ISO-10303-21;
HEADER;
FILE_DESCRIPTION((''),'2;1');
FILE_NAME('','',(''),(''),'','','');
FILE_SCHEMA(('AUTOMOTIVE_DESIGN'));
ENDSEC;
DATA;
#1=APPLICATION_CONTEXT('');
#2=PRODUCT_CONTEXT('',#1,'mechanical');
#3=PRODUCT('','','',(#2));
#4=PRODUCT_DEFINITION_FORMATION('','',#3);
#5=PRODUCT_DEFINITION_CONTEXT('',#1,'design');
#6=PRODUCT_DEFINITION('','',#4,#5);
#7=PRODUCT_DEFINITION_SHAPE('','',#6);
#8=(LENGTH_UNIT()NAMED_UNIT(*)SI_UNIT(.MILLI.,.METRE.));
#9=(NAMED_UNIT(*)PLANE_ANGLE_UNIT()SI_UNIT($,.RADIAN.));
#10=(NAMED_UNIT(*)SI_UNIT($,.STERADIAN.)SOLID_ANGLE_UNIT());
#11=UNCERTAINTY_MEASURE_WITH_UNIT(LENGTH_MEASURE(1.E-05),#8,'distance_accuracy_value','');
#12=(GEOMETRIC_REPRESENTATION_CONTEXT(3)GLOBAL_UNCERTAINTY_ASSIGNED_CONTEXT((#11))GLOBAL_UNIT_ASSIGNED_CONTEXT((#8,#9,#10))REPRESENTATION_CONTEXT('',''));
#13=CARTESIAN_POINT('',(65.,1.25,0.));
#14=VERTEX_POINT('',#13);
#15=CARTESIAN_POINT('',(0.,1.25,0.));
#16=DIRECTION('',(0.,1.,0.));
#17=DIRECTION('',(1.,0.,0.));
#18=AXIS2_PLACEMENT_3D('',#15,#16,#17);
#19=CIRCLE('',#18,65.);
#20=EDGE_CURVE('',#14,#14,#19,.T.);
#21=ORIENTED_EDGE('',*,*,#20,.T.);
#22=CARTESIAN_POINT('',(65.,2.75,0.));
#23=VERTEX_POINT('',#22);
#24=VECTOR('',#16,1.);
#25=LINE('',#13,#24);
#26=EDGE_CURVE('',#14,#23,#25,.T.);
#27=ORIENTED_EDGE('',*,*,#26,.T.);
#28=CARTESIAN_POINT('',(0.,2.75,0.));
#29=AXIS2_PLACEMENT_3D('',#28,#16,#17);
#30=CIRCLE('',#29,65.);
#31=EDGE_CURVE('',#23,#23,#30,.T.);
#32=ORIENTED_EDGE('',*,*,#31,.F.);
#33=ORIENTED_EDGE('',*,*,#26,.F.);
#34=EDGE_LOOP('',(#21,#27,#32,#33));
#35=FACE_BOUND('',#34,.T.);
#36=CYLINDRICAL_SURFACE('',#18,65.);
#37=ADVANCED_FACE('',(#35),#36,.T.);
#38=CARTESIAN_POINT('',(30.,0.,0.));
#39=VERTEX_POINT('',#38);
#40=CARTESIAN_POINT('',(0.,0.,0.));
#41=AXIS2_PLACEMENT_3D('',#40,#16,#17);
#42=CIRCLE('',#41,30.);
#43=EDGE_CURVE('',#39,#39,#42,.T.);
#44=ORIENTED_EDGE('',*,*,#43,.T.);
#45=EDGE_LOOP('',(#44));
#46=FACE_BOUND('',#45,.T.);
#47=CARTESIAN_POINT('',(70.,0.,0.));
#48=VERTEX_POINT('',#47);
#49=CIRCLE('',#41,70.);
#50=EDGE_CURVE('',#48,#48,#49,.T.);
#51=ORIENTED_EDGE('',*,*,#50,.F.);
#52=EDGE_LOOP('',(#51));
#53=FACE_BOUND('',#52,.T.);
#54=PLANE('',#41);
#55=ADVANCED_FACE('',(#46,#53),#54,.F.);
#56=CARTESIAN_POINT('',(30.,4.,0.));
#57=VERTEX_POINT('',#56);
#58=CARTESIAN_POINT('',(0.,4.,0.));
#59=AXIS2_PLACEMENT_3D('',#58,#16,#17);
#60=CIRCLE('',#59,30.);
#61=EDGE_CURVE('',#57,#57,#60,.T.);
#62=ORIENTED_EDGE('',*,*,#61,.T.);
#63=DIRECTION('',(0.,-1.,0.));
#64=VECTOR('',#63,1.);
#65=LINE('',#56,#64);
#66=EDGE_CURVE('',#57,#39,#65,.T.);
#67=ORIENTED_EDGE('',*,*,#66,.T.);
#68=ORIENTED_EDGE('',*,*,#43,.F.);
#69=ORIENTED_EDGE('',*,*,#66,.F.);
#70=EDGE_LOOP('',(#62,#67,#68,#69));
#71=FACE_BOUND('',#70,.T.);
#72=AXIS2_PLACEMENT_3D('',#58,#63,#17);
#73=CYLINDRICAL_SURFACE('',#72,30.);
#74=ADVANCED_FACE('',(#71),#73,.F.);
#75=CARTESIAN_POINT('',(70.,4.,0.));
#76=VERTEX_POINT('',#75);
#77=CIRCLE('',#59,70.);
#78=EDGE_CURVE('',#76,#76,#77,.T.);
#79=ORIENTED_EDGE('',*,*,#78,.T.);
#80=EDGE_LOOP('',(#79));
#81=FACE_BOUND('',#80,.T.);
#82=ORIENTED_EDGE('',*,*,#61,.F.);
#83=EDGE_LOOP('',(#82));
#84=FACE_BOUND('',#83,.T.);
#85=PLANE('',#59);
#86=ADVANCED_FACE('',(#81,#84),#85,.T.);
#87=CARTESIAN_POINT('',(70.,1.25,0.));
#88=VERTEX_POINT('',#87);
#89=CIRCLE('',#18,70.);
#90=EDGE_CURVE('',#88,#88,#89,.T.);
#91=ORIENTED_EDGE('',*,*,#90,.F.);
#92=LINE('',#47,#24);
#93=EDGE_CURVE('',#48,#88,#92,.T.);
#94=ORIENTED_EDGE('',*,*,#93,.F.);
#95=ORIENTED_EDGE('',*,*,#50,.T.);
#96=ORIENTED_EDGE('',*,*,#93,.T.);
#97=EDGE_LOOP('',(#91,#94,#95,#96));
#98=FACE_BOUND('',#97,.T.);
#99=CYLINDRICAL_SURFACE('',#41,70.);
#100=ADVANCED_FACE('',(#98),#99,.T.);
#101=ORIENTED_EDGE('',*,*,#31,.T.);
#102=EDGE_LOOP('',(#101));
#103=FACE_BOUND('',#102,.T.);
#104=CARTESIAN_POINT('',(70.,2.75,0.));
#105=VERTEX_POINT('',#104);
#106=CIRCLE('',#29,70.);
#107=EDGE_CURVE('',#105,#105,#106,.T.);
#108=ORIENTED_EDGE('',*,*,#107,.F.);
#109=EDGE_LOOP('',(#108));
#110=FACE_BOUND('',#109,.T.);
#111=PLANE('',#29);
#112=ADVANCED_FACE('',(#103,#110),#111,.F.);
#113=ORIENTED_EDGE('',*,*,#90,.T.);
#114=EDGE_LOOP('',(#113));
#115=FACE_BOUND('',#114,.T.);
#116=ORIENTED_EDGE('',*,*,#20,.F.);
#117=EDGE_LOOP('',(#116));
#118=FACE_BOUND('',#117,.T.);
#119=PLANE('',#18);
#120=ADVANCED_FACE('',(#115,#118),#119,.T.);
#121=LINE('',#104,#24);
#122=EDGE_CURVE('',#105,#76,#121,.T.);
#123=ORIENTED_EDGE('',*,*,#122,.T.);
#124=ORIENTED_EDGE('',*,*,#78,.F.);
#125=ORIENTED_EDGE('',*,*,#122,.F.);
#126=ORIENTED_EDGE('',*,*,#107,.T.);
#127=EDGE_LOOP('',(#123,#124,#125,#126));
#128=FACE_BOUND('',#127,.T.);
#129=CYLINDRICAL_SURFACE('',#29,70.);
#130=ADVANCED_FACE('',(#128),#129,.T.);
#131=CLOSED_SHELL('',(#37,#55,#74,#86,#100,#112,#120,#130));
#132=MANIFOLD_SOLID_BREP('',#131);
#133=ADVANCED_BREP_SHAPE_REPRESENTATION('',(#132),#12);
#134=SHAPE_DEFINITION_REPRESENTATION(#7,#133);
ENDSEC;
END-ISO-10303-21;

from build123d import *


with BuildPart() as part:
    # Sketch → Revolution (revolve)
    with BuildSketch(Plane.XY):
        Polygon((70, 0), (70, 1.25), (65, 1.25), (65, 2.75), (70, 2.75), (70, 4), (30, 4), (30, 0), align=None)
    revolve(axis=Axis((0, 0, 0), (0, 1, 0)))


solid = part.part
